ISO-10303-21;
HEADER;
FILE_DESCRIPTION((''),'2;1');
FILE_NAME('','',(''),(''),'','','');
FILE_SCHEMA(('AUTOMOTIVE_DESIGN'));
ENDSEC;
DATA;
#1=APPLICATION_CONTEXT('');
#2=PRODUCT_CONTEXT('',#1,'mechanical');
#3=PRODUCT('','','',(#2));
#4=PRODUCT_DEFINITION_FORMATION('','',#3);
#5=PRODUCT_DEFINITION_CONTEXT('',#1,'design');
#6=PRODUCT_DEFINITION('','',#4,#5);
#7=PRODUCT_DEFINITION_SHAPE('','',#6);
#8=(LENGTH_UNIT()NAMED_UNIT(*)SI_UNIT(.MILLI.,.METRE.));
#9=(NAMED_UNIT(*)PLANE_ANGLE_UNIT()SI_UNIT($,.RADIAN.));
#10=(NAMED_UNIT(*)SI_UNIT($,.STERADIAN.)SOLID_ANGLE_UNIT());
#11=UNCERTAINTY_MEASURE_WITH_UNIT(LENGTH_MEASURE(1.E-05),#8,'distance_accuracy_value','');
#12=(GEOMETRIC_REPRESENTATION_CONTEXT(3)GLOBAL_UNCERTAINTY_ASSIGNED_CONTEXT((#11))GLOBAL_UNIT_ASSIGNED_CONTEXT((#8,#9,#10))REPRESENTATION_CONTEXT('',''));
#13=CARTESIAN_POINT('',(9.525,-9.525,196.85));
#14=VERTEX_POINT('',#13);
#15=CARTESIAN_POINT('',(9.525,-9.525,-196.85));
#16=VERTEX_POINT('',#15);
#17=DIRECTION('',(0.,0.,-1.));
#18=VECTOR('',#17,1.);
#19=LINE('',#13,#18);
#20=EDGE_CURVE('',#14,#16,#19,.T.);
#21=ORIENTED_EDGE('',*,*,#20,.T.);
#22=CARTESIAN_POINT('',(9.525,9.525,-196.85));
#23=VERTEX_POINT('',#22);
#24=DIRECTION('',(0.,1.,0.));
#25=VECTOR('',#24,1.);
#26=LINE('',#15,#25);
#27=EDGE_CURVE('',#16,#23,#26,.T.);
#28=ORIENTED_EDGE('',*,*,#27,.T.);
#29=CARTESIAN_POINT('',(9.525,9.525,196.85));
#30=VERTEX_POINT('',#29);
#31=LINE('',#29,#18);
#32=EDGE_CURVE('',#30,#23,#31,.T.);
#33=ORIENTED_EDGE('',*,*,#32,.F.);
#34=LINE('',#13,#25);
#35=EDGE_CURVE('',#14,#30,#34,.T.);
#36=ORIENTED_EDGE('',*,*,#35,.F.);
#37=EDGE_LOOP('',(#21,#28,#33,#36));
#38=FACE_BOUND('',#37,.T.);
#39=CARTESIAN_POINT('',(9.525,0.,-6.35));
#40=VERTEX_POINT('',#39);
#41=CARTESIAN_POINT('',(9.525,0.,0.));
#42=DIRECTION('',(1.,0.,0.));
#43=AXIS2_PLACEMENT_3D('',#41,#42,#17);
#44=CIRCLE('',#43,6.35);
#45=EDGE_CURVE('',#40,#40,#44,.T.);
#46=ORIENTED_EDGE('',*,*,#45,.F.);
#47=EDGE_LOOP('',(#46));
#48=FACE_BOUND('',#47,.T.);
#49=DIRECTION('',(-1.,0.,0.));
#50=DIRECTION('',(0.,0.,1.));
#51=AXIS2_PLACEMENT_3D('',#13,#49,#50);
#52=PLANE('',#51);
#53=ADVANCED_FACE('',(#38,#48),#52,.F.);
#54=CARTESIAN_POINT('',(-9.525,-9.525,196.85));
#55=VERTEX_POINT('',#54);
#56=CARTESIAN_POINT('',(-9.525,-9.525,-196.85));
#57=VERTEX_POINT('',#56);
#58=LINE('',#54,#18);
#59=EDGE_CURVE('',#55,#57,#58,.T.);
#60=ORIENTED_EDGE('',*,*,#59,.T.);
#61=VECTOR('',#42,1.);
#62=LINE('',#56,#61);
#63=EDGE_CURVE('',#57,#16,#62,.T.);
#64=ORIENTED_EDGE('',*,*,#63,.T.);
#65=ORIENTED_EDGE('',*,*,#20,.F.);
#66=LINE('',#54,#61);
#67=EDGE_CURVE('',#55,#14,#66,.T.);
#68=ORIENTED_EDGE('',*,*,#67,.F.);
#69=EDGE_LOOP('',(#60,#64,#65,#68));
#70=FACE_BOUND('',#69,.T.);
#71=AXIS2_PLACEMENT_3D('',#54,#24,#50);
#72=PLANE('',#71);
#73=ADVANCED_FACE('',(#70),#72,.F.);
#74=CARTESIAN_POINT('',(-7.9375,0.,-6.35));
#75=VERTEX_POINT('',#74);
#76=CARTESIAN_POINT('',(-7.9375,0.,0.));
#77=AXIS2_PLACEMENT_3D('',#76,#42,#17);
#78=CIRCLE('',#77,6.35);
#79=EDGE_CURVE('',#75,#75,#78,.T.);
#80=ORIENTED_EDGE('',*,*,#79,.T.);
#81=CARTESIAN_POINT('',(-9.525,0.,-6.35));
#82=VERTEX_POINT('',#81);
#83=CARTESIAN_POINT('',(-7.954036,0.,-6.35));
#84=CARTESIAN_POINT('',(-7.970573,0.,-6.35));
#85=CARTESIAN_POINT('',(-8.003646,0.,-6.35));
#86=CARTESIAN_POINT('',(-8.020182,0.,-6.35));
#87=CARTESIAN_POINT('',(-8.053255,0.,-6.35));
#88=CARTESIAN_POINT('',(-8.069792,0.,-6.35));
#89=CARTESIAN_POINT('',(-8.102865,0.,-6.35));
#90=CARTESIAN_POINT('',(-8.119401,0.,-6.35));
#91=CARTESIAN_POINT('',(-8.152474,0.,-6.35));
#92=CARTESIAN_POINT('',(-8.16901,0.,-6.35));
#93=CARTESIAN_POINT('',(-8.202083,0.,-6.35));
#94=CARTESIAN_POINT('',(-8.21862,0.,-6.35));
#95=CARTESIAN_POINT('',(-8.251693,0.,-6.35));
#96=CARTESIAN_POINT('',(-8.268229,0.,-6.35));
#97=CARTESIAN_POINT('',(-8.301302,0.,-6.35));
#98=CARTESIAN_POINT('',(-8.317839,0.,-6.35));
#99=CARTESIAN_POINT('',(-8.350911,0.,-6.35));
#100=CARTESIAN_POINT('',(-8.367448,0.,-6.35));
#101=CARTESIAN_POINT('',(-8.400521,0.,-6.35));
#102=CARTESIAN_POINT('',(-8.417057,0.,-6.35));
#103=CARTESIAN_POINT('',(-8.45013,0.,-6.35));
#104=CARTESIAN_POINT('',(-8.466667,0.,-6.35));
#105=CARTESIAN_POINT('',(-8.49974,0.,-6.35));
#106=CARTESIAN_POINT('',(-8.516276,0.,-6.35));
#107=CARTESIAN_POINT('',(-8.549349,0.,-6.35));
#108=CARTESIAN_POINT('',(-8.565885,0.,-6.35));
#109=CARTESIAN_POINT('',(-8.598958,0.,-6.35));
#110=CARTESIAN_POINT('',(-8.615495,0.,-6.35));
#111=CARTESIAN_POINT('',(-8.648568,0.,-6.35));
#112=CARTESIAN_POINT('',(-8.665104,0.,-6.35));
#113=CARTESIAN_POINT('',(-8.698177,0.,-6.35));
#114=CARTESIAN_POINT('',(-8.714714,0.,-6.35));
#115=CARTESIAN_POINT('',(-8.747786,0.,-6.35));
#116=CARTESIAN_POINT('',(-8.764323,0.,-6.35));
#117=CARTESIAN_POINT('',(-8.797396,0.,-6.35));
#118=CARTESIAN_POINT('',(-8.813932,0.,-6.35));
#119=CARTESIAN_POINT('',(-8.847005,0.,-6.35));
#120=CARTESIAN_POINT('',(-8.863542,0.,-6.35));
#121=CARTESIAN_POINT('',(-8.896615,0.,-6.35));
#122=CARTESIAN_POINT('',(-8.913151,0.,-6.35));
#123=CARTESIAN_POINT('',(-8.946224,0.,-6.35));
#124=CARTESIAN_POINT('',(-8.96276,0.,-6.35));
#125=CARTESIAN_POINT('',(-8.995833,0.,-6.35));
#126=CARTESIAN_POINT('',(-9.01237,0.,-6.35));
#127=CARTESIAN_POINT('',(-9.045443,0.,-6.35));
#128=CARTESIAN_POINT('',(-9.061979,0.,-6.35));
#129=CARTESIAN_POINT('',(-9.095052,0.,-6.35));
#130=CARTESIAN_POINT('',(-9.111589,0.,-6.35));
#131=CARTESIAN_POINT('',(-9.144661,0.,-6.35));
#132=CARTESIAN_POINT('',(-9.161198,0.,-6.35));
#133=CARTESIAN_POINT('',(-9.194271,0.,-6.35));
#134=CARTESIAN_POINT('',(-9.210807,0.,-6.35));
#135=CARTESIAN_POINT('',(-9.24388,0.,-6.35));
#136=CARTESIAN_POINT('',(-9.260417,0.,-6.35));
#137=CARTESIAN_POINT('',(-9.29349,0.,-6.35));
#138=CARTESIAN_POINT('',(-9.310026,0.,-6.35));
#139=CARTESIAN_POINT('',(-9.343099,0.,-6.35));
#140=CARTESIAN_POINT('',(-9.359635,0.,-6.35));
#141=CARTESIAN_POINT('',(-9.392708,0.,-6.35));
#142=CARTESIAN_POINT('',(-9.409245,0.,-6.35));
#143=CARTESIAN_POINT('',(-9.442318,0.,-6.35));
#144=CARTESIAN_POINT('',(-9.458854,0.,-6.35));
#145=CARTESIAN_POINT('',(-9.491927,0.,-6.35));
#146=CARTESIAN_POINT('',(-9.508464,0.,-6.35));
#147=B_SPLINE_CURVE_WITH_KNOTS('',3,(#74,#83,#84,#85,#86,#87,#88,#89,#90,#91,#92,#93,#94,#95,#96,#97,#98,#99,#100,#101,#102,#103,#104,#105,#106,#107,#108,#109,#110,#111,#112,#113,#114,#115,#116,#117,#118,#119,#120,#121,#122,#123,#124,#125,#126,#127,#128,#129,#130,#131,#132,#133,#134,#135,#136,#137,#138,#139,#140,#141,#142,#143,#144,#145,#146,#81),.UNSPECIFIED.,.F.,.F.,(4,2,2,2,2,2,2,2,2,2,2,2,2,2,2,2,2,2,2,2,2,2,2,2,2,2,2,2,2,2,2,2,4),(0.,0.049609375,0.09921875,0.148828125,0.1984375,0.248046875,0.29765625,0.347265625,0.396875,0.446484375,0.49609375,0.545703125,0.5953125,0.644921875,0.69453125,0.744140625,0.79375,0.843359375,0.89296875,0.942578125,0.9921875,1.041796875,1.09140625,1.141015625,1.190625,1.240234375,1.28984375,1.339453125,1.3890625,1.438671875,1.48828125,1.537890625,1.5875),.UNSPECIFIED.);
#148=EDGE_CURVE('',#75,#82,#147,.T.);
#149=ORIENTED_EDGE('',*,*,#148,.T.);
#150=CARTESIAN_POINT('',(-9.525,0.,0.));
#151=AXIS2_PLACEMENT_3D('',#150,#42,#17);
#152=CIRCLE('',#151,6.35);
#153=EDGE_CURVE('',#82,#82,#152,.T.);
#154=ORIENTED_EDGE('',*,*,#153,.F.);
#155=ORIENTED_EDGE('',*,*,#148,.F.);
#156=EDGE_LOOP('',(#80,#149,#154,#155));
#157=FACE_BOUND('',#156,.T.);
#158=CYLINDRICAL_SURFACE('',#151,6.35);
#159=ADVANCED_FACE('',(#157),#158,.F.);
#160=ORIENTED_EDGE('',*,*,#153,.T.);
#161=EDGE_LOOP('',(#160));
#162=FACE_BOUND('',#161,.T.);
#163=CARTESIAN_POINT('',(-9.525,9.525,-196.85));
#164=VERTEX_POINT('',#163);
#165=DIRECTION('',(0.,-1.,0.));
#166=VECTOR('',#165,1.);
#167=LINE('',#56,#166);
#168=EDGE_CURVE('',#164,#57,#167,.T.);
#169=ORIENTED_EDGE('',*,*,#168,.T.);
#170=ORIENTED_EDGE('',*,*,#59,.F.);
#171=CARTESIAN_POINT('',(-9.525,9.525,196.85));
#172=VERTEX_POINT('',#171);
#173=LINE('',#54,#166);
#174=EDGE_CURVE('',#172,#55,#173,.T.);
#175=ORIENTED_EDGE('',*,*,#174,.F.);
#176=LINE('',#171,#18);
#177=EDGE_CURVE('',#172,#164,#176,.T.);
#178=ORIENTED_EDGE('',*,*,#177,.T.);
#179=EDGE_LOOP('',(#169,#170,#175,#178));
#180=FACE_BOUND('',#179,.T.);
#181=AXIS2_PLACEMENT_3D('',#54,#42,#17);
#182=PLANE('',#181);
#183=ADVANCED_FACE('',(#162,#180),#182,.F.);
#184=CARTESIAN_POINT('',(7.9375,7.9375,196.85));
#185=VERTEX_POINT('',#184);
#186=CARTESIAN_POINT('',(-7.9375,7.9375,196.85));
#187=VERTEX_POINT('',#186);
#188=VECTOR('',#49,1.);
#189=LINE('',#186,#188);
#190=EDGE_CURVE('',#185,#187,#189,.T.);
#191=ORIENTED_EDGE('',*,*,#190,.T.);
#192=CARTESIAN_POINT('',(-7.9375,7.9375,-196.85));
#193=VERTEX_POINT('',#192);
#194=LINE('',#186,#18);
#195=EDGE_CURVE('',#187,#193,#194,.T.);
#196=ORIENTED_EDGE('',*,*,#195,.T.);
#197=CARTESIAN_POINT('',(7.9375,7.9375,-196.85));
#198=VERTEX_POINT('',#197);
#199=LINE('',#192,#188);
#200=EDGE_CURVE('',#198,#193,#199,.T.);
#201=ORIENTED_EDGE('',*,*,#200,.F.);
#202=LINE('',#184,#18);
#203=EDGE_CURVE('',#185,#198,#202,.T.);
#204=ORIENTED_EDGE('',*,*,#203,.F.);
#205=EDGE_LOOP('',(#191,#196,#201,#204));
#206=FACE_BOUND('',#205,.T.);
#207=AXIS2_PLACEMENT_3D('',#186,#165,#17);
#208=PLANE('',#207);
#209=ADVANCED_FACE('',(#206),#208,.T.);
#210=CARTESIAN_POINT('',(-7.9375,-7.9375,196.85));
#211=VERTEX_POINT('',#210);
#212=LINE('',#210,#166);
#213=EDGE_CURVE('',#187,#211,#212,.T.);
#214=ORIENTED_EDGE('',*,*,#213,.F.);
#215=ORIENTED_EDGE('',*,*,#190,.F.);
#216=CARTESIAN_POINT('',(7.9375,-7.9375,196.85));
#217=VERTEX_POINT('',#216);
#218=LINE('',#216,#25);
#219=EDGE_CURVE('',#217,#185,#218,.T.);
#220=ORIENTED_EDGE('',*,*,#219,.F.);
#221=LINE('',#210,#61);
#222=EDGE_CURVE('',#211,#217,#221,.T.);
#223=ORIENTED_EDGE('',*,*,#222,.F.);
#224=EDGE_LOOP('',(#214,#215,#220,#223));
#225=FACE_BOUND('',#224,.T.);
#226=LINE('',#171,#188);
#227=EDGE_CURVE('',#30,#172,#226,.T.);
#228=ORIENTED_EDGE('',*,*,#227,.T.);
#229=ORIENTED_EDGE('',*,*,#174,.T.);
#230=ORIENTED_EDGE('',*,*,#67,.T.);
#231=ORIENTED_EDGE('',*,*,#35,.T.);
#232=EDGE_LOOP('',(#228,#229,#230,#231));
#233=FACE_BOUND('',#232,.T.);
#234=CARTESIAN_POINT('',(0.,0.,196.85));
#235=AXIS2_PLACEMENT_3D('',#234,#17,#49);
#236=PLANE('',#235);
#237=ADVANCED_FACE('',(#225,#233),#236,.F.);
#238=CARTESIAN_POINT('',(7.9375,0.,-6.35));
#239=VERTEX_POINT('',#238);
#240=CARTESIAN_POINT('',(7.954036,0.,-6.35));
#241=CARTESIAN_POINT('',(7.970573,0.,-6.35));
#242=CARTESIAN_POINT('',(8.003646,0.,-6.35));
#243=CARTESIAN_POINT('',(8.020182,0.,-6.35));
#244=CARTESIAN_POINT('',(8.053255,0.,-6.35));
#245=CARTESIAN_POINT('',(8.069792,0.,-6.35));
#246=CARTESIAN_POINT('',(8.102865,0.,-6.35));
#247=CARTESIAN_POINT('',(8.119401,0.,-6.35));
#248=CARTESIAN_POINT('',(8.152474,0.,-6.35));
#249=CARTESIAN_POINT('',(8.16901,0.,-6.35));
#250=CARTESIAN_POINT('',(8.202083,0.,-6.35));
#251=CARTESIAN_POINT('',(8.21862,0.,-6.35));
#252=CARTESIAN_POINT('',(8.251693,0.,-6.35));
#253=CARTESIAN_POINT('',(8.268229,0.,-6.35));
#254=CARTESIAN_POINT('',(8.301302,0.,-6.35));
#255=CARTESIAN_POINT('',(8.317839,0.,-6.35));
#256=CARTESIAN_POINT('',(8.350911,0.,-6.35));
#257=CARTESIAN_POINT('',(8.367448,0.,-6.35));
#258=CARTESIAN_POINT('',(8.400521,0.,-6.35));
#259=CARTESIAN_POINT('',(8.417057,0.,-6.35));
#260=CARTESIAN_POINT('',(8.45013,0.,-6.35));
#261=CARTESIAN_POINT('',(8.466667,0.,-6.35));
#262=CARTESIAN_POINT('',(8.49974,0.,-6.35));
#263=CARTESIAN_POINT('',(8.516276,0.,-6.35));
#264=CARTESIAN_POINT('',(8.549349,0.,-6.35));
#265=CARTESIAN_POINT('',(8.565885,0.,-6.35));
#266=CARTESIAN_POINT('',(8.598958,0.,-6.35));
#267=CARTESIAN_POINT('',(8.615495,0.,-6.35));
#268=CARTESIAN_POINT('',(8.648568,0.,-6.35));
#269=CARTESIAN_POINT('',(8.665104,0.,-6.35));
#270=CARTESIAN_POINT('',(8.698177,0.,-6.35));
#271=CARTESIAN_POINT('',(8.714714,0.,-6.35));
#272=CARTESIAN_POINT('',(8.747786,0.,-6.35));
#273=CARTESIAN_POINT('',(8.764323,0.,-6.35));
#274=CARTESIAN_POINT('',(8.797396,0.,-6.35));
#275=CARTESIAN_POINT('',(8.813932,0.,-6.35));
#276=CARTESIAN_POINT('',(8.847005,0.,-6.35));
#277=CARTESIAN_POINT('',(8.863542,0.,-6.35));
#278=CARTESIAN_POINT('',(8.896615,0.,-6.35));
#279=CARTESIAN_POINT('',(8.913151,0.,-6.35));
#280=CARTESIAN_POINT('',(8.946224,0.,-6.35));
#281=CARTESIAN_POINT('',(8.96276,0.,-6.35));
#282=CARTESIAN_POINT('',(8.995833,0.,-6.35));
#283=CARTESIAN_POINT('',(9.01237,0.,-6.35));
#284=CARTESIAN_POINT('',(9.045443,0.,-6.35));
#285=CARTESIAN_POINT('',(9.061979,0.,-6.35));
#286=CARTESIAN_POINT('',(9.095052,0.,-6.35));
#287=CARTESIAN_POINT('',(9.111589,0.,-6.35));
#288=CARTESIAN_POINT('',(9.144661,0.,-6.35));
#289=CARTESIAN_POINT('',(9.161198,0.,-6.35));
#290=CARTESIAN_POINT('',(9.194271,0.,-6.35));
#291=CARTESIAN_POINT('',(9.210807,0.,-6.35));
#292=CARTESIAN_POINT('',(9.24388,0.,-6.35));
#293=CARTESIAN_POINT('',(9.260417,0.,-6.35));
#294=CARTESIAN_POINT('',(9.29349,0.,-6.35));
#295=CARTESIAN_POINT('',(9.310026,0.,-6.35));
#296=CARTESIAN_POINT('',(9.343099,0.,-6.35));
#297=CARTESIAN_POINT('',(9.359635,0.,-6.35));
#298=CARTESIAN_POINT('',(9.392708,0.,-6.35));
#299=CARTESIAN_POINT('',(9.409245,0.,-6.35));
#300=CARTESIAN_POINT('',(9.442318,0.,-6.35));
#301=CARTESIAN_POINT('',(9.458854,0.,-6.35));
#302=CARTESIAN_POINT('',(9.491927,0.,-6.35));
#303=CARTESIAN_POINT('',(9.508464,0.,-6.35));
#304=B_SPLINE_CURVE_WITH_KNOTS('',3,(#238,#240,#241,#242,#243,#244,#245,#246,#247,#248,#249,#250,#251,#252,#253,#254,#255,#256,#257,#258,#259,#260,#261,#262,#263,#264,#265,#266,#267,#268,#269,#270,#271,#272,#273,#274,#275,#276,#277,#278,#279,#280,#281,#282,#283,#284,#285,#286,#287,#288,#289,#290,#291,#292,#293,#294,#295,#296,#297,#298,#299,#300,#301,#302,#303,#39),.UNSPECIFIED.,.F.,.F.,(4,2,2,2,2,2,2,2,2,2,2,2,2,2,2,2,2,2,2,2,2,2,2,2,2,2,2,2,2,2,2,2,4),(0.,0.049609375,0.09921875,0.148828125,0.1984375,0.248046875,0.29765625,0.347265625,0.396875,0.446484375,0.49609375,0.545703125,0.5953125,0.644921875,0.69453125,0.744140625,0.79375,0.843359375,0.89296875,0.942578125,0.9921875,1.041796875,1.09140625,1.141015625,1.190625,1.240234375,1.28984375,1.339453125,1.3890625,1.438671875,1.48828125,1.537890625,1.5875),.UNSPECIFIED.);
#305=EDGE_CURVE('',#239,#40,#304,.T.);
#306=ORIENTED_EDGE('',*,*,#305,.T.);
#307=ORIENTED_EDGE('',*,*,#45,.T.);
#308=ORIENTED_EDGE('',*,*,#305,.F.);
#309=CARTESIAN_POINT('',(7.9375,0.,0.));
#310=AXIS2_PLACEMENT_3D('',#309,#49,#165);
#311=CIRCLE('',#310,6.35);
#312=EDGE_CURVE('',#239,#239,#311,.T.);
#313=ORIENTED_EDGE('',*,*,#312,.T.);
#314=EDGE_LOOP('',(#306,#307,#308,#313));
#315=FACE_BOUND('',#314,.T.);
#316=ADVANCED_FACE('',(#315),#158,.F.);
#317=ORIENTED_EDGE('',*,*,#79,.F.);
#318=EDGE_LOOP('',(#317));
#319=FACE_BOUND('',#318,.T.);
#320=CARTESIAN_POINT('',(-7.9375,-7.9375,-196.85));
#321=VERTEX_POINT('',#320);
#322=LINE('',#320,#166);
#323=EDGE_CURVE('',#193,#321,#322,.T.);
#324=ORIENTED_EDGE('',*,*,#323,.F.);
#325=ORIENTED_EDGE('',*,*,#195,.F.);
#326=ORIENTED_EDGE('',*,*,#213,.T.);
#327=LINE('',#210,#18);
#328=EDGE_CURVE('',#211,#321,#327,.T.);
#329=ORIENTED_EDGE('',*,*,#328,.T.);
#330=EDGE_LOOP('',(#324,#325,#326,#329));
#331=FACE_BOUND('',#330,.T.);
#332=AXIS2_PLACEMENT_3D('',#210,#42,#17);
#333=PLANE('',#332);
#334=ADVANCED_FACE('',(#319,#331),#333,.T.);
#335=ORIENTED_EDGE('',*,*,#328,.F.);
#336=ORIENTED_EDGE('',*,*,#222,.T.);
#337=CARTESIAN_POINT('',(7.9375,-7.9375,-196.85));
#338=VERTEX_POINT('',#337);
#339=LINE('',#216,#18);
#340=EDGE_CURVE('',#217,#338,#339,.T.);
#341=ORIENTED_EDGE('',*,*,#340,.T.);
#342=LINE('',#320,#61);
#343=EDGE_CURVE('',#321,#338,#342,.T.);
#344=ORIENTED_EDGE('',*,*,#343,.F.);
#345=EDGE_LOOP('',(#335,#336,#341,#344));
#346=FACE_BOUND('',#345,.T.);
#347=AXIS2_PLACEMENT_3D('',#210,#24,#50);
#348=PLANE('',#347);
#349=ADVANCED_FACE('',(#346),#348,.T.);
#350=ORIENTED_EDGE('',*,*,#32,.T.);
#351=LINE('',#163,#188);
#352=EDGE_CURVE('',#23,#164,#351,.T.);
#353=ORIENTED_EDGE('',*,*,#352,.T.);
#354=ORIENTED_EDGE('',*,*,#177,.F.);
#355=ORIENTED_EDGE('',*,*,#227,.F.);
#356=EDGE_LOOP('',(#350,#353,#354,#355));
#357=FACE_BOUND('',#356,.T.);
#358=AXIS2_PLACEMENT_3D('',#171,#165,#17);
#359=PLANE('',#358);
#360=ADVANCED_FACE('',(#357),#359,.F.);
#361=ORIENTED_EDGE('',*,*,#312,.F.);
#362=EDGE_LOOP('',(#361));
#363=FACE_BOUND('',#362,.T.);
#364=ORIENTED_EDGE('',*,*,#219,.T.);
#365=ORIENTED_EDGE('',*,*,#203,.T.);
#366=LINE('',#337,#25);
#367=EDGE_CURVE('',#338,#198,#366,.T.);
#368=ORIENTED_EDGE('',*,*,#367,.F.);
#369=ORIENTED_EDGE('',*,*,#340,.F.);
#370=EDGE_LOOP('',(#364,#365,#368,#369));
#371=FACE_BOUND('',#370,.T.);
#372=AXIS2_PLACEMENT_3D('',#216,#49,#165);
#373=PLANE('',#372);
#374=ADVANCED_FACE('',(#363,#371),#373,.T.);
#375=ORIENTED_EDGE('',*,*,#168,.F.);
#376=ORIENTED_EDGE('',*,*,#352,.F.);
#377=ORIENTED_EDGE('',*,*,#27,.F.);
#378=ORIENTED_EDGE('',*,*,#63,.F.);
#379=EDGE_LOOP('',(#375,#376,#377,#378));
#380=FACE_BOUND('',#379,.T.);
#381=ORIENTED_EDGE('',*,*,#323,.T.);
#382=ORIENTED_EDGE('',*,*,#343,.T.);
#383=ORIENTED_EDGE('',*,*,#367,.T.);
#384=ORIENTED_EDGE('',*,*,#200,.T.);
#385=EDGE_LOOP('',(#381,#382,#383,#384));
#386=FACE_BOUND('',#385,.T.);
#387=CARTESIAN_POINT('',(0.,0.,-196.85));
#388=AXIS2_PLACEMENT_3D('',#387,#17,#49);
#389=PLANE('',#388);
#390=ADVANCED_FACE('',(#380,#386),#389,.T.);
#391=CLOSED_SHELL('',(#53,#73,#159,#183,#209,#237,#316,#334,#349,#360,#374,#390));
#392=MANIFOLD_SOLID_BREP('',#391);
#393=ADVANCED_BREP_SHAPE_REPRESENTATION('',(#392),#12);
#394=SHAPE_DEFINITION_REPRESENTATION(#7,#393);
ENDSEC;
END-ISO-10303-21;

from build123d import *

# Parameters (mm, degrees)
SKETCH1_W               = 19.05
SKETCH1_H               = 19.05
SKETCH1_W_2             = 15.875
SKETCH1_H_2             = 15.875
BOSS_EXTRUDE1_DEPTH     = 196.85
CUT_EXTRUDE1_DEPTH      = 198.310348816
CUT_EXTRUDE1_DEPTH_BACK = 198.310348816
SKETCH2_R               = 6.35


with BuildPart() as part:
    # Sketch1 → Boss-Extrude1 (new, symmetric)
    with BuildSketch(Plane.XY):
        Rectangle(SKETCH1_W, SKETCH1_H)
        Rectangle(SKETCH1_W_2, SKETCH1_H_2, mode=Mode.SUBTRACT)
    extrude(amount=BOSS_EXTRUDE1_DEPTH, both=True)

    # Sketch2 → Cut-Extrude1 (cut, two sides: drawn at the far end of the back side and taken through both)
    with BuildSketch(Plane(origin=(0, 0, 0), x_dir=(0, 0, -1), z_dir=(1, 0, 0)).offset(-CUT_EXTRUDE1_DEPTH_BACK)):
        Circle(SKETCH2_R)
    extrude(amount=CUT_EXTRUDE1_DEPTH + CUT_EXTRUDE1_DEPTH_BACK, mode=Mode.SUBTRACT)


solid = part.part
